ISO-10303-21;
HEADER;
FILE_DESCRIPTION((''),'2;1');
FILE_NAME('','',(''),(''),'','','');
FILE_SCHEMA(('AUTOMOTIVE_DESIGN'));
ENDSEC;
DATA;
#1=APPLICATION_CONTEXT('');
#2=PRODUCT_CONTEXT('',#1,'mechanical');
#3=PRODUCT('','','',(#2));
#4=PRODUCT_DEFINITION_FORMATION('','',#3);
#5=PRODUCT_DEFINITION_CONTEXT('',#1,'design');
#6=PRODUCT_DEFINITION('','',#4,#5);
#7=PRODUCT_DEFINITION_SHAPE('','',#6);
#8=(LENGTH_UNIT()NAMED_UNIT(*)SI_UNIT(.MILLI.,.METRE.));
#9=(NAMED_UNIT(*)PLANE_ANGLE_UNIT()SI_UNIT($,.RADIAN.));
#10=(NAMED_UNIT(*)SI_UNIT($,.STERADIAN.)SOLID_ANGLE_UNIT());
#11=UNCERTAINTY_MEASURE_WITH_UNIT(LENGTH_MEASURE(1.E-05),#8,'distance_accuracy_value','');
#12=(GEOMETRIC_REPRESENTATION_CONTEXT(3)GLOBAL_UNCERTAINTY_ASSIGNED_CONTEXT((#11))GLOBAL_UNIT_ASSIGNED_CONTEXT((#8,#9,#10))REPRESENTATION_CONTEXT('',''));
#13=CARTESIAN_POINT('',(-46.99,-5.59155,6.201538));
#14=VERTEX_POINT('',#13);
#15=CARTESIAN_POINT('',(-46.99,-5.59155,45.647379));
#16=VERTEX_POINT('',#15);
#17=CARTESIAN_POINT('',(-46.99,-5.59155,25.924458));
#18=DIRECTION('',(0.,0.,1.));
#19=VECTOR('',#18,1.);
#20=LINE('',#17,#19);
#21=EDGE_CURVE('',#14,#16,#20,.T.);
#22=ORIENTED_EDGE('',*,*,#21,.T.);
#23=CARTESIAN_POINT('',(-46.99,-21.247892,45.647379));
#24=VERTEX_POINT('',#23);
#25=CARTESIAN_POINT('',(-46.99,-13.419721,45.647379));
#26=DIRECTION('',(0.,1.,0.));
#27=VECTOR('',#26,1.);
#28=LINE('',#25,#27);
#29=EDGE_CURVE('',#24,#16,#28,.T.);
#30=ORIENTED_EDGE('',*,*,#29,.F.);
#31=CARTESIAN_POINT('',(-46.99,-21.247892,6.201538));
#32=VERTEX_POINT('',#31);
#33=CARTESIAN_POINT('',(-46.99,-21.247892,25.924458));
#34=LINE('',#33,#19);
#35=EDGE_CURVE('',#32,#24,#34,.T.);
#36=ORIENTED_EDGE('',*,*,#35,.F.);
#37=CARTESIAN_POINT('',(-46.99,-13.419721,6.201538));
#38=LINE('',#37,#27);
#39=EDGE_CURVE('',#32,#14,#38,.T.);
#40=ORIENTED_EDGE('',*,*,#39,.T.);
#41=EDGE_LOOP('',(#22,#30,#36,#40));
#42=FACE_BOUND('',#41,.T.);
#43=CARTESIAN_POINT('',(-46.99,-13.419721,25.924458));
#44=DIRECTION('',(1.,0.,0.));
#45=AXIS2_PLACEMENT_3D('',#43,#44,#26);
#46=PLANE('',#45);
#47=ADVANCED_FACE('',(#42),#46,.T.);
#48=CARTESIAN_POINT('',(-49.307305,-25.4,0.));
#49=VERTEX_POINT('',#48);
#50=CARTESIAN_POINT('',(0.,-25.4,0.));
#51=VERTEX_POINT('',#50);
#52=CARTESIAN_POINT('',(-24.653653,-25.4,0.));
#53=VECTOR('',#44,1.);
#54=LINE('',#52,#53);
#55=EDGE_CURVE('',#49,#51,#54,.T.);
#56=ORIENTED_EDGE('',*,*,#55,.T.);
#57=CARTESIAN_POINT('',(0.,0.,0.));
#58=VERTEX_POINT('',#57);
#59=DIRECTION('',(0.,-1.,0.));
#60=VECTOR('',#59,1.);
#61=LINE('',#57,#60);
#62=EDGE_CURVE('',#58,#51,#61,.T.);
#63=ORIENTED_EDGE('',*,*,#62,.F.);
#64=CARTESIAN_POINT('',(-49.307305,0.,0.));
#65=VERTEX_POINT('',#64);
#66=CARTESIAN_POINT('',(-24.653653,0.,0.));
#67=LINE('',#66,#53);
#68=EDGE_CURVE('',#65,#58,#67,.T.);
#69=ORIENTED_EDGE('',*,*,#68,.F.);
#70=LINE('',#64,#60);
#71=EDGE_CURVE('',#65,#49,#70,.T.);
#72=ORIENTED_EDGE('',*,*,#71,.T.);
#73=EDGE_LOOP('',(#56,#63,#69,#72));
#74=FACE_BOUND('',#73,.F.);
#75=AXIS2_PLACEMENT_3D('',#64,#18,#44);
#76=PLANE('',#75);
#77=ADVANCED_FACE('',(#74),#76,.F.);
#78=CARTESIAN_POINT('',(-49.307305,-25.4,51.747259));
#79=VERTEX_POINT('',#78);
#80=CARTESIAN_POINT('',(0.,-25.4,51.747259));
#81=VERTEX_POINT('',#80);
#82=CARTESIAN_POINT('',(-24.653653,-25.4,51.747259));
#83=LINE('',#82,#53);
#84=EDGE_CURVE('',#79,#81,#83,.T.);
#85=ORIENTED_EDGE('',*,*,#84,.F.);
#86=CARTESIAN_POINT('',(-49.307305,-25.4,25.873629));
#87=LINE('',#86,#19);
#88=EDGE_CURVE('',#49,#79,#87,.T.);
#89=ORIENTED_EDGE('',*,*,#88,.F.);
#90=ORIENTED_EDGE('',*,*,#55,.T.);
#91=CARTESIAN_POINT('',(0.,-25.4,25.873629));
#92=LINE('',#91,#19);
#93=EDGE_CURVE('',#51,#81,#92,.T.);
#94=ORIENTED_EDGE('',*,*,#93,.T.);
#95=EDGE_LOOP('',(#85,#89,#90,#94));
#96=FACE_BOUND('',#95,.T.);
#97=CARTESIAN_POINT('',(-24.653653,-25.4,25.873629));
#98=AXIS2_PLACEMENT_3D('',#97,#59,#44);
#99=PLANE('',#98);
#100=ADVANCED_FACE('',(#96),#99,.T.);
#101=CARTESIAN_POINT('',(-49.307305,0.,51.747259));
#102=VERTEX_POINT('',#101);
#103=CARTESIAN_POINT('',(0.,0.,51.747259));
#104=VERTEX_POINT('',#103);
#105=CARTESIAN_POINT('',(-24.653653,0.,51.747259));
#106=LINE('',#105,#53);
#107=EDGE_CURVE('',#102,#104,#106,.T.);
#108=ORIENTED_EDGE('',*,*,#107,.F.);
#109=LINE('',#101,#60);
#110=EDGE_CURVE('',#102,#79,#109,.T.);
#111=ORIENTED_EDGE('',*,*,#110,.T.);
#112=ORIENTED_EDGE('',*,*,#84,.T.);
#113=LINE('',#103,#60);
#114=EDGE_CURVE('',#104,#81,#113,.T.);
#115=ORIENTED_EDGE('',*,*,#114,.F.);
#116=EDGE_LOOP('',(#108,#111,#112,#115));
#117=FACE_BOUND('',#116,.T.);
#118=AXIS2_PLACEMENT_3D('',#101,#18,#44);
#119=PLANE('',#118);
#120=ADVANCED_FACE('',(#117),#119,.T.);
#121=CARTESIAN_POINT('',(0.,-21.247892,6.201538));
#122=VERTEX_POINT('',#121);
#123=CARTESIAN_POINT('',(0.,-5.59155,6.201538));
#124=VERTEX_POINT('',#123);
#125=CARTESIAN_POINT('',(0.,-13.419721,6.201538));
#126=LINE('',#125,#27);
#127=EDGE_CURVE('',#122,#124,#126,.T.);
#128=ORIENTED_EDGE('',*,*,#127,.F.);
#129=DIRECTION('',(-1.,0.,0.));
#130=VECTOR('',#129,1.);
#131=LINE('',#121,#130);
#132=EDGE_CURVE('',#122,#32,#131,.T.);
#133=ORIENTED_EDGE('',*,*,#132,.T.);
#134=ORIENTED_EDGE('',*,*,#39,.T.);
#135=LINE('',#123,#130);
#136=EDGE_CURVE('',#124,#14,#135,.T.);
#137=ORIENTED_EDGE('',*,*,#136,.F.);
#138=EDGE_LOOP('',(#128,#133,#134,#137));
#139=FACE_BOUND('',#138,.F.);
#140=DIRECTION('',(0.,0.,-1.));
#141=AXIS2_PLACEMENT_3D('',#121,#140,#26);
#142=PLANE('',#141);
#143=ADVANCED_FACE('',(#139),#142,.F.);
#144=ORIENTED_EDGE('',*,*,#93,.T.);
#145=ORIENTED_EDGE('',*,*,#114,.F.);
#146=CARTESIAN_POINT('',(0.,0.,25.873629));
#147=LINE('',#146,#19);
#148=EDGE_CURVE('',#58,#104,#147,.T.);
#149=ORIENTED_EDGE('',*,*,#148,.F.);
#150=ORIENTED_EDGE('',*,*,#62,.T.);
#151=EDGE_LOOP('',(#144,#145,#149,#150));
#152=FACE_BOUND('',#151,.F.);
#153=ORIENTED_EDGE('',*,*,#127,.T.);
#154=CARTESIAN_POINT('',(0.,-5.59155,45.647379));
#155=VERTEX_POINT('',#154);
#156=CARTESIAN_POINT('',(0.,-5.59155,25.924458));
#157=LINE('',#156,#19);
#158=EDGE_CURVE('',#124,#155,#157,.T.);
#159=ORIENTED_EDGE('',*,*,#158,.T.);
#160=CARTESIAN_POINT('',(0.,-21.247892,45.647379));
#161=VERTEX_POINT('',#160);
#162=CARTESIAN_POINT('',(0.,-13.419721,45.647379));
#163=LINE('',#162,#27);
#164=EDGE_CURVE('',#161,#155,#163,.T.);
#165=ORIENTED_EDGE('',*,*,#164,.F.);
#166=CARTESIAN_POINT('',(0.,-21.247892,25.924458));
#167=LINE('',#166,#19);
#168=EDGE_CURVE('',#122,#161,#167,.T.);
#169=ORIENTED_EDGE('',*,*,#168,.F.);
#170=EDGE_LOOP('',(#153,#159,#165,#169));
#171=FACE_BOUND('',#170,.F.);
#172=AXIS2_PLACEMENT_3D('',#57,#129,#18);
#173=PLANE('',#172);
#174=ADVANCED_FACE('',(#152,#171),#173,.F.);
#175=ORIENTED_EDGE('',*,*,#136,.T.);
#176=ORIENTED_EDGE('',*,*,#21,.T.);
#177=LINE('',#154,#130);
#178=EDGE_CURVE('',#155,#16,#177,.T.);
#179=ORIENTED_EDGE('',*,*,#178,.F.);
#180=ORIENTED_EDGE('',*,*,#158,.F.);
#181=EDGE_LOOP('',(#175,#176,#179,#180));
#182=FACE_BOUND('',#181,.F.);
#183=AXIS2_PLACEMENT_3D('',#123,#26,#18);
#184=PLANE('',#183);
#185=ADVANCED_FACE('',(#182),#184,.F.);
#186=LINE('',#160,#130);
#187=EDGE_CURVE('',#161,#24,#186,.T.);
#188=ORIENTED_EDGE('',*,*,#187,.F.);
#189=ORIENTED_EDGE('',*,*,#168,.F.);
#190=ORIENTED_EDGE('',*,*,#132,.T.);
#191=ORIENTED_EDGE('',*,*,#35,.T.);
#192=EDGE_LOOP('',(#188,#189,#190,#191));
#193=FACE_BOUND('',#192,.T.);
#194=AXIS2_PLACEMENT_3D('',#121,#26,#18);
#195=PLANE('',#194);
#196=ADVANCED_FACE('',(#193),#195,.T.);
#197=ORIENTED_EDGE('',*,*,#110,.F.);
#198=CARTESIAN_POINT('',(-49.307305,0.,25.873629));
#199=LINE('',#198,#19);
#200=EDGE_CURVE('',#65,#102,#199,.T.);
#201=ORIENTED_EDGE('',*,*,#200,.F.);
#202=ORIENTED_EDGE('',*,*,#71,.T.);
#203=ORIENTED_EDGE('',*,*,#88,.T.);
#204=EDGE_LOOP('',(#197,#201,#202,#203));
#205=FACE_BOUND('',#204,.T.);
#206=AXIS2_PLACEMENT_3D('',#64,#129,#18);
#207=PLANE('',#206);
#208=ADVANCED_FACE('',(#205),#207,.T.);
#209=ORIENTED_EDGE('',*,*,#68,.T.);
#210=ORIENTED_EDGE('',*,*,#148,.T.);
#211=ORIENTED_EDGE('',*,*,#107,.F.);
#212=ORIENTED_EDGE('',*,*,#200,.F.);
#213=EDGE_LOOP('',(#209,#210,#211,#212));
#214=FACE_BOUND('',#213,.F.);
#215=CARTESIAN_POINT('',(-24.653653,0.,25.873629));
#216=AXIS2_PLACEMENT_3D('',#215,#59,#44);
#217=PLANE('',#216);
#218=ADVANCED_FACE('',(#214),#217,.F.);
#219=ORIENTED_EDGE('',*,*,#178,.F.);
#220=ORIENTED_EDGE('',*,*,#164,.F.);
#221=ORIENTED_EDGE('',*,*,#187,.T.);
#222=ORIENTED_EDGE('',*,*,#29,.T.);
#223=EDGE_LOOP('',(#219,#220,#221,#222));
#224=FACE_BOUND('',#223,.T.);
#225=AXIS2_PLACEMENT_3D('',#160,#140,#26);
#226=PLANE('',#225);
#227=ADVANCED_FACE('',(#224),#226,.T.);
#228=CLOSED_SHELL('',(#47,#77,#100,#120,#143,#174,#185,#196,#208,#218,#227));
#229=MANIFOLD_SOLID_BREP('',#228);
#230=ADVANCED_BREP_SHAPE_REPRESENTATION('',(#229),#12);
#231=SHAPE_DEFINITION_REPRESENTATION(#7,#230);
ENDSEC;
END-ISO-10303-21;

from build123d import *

# Parameters (mm, degrees)
F0_W     = 49.3073053658
F0_H     = 51.7472587526
F1_DEPTH = 25.4
F2_W     = 15.6563417986
F2_H     = 39.4458412193
F3_DEPTH = 46.99


with BuildPart() as f1:
    # F0 (on Front) → F1 (new body)
    with BuildSketch(Plane.XZ):
        with Locations((-24.6536526829, 25.8736293763)):
            Rectangle(F0_W, F0_H)
    extrude(amount=F1_DEPTH)

    # F2 (on face) → F3 (cut)
    with BuildSketch(Plane.YZ):
        with Locations((-13.4197208099, 25.9244584013)):
            Rectangle(F2_W, F2_H)
    extrude(amount=-F3_DEPTH, mode=Mode.SUBTRACT)


solid = f1.part
